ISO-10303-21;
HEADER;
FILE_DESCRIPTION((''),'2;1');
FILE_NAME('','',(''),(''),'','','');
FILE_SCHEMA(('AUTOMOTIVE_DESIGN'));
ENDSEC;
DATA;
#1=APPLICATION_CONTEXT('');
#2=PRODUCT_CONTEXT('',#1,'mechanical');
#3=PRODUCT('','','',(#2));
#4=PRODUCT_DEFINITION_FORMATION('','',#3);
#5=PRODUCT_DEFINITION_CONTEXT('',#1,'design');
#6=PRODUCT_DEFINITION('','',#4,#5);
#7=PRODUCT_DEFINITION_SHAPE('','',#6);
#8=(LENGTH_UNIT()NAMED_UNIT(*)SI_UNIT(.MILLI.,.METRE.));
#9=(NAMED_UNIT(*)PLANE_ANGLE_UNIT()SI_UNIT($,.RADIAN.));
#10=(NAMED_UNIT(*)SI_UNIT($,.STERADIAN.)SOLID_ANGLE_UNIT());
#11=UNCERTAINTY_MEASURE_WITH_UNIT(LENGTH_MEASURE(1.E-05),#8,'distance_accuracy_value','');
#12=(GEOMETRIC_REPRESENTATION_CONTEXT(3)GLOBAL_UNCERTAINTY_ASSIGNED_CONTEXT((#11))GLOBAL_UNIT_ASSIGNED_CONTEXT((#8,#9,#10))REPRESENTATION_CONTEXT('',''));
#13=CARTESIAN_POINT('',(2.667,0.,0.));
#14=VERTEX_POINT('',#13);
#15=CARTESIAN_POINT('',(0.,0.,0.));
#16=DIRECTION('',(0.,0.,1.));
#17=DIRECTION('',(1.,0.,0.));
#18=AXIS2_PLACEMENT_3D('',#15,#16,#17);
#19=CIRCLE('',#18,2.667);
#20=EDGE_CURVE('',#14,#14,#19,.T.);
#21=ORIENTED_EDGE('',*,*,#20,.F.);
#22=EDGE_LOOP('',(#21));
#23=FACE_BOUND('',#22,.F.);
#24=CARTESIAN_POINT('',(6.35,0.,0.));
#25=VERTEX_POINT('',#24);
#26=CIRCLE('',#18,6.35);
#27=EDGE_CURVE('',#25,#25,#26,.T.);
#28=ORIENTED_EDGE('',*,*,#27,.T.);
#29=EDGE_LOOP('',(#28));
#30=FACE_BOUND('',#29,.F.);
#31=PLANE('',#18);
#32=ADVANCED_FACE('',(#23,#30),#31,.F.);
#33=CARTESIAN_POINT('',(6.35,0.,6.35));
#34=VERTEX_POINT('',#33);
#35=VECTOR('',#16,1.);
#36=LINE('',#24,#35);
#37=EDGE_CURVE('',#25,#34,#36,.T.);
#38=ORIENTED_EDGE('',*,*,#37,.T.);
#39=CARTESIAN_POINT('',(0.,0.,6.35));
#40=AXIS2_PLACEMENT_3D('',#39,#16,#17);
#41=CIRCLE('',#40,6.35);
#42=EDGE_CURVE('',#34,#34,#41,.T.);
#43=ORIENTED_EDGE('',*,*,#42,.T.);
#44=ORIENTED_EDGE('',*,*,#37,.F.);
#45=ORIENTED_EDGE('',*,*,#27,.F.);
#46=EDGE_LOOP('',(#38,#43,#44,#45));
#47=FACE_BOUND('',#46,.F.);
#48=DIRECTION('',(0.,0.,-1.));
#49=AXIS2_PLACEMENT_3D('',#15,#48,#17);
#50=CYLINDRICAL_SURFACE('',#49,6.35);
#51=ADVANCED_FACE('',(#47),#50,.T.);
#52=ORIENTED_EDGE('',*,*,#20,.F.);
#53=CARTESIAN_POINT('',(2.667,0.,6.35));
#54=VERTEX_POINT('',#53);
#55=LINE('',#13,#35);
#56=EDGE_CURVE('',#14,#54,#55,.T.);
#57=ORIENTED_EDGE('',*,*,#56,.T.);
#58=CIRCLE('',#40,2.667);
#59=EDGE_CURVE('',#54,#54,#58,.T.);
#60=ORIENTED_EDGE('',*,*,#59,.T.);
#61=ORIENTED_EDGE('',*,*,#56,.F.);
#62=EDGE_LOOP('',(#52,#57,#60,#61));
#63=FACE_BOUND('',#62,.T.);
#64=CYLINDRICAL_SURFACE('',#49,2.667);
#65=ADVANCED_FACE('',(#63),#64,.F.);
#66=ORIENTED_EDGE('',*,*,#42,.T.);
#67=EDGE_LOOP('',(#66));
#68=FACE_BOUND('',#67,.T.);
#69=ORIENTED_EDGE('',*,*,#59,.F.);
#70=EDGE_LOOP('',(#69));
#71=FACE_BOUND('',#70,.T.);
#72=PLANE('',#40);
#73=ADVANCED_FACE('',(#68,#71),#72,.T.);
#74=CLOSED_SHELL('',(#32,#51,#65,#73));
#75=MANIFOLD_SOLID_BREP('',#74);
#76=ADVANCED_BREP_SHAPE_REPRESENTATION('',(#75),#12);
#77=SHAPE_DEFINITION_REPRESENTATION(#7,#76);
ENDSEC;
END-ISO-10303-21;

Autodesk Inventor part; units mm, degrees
ref_plane "YZ Plane" through (0, 0, 0) normal (1, 0, 0) x (0, 1, 0)
ref_plane "XZ Plane" through (0, 0, 0) normal (0, 1, 0) x (-1, 0, 0)
ref_plane "XY Plane" through (0, 0, 0) normal (0, 0, 1) x (1, 0, 0)
sketch "Sketch1" plane through (0, 0, 0) normal (0, 0, 1) x (1, 0, 0)
  circle A0 centre (0, 0) radius 2.667
  circle A1 centre (0, 0) radius 6.35
  dimension "d0" = 5.334
  dimension "d1" = 12.7
extrude "Extrusion1" add sketch "Sketch1" along normal blind 6.35
properties part number "EncoderStripSpacer" material "ABS Plastic"
